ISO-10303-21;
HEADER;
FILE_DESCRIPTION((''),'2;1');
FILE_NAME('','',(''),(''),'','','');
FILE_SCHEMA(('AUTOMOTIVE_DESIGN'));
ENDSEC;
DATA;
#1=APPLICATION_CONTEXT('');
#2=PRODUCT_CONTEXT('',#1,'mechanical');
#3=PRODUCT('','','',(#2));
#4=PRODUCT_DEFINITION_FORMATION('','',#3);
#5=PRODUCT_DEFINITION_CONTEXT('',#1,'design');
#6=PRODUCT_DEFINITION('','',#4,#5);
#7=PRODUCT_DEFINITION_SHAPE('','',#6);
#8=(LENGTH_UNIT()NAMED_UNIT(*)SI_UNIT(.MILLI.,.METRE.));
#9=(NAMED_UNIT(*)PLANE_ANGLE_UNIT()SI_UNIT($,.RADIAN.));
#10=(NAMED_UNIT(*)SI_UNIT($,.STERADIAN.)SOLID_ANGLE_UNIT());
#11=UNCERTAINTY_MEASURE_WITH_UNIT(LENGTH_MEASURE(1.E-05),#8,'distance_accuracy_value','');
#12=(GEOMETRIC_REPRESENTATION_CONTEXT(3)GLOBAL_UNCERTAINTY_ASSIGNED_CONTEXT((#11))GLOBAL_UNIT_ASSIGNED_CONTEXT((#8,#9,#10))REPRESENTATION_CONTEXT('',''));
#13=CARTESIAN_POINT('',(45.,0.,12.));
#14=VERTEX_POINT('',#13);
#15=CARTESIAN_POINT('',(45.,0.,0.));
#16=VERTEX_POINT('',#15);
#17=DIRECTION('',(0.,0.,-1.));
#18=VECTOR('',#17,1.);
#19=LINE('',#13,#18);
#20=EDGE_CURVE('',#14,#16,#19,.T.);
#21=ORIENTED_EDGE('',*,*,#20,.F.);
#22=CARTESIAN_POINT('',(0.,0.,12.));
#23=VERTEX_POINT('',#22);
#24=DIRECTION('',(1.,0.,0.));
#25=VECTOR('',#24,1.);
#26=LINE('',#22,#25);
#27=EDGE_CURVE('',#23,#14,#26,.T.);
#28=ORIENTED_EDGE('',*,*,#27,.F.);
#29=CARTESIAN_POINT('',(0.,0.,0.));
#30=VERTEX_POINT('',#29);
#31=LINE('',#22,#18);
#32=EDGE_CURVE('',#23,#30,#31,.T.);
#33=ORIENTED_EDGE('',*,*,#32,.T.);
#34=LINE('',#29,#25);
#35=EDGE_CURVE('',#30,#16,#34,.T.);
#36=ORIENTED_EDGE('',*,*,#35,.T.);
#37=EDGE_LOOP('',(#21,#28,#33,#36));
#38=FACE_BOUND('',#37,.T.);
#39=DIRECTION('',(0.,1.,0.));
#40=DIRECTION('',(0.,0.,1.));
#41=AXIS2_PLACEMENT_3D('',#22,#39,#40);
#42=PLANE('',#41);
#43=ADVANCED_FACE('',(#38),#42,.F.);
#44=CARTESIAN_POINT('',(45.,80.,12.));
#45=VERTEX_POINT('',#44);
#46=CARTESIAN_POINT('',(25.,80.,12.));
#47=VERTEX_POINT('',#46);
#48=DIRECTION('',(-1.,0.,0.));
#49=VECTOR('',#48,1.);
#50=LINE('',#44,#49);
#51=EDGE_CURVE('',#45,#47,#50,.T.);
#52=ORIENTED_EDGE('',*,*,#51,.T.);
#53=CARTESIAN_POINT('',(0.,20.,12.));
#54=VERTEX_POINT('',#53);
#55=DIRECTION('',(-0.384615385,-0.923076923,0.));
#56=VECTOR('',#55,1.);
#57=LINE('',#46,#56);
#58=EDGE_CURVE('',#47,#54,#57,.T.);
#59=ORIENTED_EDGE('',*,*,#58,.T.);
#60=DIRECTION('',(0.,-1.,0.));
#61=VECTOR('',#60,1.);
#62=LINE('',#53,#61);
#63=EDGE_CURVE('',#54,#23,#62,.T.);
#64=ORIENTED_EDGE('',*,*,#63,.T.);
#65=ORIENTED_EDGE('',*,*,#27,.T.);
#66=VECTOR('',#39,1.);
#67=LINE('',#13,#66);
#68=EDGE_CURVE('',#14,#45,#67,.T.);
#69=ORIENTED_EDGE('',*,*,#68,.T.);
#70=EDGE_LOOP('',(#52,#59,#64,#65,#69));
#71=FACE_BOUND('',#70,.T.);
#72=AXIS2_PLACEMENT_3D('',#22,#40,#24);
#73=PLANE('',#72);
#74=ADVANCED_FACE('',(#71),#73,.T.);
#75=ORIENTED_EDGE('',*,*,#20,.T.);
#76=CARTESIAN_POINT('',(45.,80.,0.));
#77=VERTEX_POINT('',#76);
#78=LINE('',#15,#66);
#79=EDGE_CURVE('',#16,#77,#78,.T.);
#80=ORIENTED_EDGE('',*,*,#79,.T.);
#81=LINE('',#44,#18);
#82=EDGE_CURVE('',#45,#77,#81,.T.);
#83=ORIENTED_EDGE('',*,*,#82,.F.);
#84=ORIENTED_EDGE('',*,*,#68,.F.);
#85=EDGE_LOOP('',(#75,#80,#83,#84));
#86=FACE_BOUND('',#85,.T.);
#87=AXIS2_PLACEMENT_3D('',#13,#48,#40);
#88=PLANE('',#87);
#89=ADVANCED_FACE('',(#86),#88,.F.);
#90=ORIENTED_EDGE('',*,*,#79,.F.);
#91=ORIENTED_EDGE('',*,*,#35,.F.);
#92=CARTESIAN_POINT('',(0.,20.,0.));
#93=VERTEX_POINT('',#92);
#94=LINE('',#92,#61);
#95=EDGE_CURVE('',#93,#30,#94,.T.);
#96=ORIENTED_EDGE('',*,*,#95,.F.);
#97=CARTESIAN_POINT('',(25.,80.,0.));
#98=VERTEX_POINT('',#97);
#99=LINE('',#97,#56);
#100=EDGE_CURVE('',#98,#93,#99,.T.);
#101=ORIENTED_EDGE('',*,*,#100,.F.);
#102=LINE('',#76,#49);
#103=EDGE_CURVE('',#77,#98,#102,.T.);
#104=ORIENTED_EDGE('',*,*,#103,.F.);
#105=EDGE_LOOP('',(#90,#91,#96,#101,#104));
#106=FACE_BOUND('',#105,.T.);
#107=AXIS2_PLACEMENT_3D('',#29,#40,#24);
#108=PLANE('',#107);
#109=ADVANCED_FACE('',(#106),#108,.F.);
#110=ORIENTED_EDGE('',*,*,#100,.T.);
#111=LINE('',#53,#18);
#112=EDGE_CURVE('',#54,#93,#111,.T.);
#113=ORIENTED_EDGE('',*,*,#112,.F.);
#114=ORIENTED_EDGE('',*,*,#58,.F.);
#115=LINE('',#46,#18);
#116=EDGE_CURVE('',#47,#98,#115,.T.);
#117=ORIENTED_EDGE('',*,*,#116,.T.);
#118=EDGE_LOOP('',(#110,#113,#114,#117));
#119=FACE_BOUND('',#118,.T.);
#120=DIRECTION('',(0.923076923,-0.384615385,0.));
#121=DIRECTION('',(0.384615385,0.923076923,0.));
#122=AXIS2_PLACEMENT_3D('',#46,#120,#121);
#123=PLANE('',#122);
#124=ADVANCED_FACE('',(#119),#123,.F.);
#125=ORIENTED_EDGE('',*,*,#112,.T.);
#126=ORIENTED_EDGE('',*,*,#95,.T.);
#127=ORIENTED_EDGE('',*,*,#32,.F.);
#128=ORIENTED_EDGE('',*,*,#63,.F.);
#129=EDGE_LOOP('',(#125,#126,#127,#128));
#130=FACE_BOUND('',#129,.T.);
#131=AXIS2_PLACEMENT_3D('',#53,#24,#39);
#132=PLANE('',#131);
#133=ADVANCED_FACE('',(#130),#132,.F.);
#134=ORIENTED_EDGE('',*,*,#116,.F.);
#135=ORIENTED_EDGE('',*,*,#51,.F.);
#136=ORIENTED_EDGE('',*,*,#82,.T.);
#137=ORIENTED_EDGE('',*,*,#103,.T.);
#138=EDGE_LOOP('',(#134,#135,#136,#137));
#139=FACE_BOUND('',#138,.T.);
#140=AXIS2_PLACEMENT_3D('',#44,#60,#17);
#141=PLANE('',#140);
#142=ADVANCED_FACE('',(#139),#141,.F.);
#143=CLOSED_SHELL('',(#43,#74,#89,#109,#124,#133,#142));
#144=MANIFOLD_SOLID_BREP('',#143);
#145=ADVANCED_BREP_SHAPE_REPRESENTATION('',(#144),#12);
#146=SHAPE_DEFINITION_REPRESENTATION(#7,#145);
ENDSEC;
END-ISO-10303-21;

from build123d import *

# Parameters (mm, degrees)
EXTRUDE1_DEPTH = 12


with BuildPart() as part:
    # Sketch1 → Extrude1 (new body)
    with BuildSketch(Plane.XY):
        Polygon((0, 0), (45, 0), (45, 80), (25, 80), (0, 20), align=None)
    extrude(amount=EXTRUDE1_DEPTH)


solid = part.part
